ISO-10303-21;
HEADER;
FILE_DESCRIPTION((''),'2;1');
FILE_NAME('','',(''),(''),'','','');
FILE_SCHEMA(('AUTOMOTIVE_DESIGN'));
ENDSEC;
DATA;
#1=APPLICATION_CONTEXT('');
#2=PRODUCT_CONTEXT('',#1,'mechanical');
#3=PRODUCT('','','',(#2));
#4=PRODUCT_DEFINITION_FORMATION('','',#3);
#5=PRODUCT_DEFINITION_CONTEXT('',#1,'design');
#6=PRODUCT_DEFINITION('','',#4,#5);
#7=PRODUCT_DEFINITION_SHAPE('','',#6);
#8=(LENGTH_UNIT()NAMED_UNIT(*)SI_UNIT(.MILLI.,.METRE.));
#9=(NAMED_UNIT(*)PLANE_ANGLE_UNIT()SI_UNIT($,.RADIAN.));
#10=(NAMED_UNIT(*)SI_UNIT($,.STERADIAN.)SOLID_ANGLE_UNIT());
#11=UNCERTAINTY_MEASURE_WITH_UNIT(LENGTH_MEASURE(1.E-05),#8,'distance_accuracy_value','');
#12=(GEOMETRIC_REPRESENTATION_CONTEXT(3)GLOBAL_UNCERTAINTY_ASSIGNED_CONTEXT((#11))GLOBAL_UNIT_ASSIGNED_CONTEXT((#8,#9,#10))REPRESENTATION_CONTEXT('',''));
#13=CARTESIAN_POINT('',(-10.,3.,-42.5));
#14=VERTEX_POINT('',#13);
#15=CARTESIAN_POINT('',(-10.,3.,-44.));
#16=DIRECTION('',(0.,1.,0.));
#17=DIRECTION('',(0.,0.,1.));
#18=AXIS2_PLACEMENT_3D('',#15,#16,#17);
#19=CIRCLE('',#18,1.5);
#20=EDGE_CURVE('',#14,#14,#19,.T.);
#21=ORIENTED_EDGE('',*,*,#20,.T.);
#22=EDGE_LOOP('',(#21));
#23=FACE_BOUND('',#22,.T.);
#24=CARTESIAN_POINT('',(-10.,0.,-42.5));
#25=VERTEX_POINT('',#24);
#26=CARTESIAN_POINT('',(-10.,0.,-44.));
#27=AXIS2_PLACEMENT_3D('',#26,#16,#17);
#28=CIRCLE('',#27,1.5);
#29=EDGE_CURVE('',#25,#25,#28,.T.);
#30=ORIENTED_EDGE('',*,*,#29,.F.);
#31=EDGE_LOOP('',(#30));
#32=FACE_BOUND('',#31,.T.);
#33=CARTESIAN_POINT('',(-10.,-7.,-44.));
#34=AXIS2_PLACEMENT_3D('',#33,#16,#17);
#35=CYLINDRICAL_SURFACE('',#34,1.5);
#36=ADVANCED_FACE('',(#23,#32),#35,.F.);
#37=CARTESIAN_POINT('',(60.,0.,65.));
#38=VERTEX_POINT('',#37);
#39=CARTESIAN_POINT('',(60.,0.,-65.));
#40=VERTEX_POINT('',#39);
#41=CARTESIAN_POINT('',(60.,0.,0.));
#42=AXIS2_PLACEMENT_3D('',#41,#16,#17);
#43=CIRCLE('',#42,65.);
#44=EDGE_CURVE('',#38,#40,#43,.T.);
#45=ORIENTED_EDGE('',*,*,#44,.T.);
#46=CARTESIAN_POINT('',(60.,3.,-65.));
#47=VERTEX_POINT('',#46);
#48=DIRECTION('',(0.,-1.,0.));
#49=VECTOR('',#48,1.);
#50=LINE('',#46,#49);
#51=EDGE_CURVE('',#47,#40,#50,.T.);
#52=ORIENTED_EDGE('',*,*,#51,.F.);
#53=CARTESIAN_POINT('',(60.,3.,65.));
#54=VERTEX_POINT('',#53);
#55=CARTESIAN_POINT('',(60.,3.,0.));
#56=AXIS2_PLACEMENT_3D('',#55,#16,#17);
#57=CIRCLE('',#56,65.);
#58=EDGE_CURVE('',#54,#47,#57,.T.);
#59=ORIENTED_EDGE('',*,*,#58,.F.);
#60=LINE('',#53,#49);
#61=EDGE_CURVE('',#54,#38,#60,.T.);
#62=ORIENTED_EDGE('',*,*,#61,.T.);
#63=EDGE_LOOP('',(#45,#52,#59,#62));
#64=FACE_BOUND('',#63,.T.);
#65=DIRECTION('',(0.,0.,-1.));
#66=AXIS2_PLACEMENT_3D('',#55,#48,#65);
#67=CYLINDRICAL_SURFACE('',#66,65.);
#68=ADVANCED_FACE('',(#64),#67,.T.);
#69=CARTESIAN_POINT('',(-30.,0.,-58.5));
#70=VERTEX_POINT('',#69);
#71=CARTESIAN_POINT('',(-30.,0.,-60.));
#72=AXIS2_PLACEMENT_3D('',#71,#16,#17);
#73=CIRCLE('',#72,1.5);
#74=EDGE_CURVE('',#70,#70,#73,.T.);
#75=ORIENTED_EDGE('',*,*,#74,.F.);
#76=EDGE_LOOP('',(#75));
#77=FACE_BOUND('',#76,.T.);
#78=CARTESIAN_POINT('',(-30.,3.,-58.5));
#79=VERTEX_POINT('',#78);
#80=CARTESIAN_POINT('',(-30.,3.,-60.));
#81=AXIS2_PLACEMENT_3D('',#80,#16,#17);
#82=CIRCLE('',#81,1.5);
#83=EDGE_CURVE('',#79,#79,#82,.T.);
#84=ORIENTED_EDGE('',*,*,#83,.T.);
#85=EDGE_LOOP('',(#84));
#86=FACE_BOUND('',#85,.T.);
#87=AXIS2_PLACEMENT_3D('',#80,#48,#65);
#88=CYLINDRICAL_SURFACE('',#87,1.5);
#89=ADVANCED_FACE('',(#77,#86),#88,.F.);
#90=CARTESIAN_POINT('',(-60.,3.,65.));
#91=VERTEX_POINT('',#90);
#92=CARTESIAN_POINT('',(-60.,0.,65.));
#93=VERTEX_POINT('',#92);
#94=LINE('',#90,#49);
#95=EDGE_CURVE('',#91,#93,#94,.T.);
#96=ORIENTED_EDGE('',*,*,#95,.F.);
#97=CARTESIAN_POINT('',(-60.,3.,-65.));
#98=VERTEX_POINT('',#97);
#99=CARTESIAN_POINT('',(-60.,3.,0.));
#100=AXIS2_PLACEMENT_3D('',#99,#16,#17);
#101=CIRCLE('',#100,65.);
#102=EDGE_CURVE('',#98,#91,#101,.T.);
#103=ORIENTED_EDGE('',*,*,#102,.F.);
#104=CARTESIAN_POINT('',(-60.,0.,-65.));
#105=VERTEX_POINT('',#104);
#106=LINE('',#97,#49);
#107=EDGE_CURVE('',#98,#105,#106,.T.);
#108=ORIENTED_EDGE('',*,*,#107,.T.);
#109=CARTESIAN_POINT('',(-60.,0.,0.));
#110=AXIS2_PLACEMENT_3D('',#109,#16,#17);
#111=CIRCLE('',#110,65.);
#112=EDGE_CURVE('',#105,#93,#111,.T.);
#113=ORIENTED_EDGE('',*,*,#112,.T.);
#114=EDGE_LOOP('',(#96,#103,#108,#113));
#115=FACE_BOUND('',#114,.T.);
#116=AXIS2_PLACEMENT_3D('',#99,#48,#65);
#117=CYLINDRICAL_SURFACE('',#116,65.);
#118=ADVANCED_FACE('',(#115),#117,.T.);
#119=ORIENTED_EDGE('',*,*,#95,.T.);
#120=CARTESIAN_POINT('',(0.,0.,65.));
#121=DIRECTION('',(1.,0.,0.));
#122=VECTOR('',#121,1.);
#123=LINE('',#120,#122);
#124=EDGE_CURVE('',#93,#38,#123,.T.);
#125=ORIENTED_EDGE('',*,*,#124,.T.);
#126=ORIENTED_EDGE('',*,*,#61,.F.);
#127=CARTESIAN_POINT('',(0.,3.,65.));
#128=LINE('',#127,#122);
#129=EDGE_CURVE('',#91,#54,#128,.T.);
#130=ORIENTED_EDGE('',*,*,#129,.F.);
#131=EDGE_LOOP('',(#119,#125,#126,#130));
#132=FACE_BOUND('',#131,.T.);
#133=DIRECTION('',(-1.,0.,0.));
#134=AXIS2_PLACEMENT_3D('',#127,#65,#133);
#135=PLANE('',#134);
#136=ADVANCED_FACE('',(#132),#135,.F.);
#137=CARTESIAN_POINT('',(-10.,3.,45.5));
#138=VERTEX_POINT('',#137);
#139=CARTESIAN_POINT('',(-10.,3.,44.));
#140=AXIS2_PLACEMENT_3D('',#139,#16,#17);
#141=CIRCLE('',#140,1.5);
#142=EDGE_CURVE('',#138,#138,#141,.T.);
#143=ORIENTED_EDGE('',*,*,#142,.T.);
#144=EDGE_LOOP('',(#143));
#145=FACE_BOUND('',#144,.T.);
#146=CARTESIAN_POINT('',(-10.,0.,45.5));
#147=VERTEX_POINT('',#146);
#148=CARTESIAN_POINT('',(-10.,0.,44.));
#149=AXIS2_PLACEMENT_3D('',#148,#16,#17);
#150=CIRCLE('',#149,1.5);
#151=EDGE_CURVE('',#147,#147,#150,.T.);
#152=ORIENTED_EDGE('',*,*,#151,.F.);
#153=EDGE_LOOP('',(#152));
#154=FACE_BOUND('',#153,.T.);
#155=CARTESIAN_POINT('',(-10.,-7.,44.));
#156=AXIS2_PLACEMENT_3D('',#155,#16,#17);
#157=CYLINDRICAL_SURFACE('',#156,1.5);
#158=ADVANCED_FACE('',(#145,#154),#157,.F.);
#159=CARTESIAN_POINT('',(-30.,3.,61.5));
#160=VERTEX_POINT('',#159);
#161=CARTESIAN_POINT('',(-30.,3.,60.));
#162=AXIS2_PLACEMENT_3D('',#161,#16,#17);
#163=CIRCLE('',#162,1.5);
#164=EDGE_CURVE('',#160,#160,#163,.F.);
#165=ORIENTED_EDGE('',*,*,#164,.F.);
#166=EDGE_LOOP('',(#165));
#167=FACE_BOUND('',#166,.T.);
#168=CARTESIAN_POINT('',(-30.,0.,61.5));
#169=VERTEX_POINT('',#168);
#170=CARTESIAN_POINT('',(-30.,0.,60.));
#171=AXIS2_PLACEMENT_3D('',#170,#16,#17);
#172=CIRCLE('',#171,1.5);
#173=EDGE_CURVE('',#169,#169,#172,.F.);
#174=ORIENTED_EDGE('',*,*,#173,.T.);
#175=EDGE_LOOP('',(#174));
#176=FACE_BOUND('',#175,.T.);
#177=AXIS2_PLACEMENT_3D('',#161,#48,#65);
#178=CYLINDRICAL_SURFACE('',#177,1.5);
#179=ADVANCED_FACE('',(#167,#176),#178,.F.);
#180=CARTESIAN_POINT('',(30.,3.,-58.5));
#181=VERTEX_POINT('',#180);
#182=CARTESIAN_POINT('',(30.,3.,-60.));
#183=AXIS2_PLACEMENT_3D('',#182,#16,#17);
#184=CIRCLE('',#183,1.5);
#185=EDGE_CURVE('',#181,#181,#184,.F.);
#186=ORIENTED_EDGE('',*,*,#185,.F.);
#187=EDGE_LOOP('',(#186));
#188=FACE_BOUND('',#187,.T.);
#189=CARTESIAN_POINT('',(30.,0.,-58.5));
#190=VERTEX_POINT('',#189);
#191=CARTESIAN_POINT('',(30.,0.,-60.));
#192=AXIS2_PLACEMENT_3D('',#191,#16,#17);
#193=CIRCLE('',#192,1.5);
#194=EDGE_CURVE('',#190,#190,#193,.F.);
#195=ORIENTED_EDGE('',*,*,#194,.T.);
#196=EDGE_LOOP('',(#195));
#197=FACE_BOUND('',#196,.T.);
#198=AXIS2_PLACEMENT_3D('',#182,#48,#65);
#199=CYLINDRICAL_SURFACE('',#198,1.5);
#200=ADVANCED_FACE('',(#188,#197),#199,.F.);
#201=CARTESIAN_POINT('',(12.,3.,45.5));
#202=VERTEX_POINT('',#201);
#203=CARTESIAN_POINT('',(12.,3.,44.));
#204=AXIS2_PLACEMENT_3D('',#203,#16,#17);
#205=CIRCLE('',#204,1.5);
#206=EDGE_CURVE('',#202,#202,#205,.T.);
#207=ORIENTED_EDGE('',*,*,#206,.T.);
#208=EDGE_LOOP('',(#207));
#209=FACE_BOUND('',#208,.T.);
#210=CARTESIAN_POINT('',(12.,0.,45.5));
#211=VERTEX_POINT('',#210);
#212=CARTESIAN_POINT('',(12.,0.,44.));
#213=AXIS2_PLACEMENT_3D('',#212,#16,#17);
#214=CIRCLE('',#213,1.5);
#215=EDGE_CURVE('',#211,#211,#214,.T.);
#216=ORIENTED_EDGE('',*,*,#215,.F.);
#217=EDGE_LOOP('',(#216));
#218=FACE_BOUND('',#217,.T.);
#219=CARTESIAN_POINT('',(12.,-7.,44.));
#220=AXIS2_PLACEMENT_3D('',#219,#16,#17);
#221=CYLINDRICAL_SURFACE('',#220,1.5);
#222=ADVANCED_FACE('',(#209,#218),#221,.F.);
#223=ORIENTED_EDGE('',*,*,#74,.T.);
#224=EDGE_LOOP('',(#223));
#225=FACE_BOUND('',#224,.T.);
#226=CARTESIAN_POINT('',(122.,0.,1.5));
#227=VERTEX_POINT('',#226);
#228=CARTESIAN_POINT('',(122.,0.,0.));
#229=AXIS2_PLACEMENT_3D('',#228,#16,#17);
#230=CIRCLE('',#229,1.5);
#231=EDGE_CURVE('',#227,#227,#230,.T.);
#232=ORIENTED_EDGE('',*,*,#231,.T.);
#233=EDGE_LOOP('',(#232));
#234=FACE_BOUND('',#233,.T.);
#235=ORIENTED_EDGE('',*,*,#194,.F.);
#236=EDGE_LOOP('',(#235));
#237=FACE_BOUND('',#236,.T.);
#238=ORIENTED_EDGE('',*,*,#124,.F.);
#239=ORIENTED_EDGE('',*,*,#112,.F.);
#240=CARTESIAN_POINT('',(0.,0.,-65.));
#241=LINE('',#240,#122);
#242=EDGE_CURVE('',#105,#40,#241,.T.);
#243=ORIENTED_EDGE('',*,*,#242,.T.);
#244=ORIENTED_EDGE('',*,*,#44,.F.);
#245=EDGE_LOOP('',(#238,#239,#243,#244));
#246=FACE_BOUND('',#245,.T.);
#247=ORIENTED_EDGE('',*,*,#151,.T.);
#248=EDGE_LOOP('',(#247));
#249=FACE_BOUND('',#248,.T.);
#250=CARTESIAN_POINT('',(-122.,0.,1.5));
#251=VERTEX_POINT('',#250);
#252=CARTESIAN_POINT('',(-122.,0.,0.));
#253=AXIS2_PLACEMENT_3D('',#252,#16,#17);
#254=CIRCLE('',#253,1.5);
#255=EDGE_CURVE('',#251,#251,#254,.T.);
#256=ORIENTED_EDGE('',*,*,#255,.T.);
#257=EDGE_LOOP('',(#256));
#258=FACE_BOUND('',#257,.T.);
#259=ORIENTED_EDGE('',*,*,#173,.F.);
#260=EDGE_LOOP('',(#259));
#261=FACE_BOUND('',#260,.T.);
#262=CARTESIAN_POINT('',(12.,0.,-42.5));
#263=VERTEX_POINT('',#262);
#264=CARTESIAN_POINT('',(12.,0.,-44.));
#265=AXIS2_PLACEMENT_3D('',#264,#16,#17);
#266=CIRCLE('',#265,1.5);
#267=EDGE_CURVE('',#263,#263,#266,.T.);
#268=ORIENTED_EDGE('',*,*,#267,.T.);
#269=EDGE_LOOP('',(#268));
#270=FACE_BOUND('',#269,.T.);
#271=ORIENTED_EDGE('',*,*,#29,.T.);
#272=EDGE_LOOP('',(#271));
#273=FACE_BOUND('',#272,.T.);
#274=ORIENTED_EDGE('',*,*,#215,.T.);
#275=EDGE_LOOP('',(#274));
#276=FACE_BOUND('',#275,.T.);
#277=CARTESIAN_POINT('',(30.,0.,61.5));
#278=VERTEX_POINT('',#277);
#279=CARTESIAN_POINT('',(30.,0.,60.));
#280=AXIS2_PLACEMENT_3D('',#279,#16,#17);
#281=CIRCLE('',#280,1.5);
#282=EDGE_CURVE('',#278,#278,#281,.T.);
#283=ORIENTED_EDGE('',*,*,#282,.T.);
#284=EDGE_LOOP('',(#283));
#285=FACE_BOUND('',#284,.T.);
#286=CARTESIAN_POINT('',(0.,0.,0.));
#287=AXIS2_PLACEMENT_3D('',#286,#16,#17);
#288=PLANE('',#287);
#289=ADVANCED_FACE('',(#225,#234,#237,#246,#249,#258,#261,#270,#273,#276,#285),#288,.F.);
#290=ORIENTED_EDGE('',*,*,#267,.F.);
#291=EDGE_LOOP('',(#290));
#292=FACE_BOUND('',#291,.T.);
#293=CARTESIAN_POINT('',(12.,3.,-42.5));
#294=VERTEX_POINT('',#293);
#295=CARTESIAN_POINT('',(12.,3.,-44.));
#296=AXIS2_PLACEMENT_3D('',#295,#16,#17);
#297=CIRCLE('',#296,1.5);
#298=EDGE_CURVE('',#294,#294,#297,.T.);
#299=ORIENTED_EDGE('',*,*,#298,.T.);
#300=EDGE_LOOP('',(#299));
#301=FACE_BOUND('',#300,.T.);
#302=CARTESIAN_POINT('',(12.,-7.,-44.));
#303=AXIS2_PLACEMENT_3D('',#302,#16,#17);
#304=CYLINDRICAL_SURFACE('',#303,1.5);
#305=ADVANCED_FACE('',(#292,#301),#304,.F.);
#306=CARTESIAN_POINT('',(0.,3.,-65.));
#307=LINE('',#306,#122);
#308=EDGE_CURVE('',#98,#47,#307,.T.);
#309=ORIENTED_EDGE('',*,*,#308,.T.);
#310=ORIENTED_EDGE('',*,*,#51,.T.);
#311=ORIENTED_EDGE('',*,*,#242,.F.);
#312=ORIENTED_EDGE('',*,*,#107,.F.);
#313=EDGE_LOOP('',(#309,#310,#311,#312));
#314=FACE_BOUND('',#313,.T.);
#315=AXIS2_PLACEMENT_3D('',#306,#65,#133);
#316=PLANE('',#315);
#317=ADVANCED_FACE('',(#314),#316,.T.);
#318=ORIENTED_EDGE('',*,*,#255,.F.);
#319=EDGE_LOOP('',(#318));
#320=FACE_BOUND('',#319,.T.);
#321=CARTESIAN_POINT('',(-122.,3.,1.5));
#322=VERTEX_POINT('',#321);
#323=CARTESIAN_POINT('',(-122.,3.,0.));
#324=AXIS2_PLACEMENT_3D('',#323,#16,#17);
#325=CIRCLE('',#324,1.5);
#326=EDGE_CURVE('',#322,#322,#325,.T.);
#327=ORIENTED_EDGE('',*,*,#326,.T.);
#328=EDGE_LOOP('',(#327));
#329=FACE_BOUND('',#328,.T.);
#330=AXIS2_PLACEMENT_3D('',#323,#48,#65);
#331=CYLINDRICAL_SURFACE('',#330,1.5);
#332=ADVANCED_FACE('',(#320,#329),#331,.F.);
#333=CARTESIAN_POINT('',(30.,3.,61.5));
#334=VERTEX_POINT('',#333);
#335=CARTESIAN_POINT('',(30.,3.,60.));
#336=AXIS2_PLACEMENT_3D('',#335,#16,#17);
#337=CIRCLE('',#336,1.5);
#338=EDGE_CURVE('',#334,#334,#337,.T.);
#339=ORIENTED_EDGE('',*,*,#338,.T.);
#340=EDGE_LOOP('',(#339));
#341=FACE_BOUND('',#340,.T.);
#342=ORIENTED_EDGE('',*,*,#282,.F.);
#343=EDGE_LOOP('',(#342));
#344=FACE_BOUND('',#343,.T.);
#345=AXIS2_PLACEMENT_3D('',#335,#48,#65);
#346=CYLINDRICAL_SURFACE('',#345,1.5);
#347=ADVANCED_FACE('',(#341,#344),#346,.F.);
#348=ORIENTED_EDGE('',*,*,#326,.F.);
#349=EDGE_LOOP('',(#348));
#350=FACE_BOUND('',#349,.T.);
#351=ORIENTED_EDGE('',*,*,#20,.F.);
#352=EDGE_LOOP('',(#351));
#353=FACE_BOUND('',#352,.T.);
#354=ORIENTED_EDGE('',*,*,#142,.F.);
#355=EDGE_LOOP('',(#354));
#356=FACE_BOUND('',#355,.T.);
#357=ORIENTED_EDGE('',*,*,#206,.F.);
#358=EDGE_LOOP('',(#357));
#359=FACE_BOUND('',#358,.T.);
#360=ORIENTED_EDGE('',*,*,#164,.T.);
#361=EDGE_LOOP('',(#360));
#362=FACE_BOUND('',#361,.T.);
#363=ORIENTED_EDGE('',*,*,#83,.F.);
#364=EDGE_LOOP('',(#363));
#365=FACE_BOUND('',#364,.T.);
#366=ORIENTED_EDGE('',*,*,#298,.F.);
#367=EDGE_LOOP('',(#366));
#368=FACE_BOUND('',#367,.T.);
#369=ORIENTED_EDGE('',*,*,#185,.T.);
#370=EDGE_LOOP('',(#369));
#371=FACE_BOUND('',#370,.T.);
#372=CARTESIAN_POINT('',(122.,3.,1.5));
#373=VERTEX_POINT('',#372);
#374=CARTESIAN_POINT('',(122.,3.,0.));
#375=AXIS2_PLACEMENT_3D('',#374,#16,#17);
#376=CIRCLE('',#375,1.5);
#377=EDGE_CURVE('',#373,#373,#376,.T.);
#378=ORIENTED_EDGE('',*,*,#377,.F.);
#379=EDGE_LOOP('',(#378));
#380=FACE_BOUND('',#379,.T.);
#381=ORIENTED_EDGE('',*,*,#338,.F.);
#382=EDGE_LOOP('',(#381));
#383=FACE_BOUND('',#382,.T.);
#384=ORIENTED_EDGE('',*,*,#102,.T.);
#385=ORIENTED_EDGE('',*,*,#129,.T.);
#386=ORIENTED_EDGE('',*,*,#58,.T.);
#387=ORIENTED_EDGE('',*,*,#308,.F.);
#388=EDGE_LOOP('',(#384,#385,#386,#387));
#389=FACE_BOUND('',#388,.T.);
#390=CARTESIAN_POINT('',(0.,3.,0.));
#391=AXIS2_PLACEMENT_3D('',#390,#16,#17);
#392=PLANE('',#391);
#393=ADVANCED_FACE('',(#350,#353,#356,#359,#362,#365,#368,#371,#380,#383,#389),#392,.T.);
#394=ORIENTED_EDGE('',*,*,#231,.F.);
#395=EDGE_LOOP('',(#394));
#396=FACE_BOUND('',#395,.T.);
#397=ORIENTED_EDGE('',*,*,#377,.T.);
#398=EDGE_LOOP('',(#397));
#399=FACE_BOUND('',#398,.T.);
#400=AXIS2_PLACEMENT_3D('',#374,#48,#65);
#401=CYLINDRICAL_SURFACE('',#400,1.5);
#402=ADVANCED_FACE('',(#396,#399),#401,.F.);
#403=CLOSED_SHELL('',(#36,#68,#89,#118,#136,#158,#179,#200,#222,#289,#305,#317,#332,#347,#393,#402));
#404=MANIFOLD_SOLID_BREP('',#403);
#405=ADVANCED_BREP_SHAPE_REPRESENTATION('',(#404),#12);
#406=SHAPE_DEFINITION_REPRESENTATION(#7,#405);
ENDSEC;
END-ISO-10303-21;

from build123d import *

# Parameters (mm, degrees)
SKETCH_1_R          = 1.5
EXTRUDE_2_DEPTH     = 3
SKETCH_2_R          = 1.5
CUT_EXTRUDE_1_DEPTH = 10


with BuildPart() as part:
    # 草图1 → 凸台-拉伸2 (new body)
    with BuildSketch(Plane(origin=(0, 0, 0), x_dir=(1, 0, 0), z_dir=(0, 1, 0))):
        with BuildLine():
            Line((-60, 65), (60, 65))
            ThreePointArc((60, 65), (125, 0), (60, -65))
            Line((60, -65), (-60, -65))
            ThreePointArc((-60, -65), (-125, 0), (-60, 65))
        make_face()
        with Locations((-122, 0)):
            Circle(SKETCH_1_R, mode=Mode.SUBTRACT)
        with Locations((122, 0)):
            Circle(SKETCH_1_R, mode=Mode.SUBTRACT)
        with Locations((-30, 60)):
            Circle(SKETCH_1_R, mode=Mode.SUBTRACT)
        with Locations((30, 60)):
            Circle(SKETCH_1_R, mode=Mode.SUBTRACT)
        with Locations((30, -60)):
            Circle(SKETCH_1_R, mode=Mode.SUBTRACT)
        with Locations((-30, -60)):
            Circle(SKETCH_1_R, mode=Mode.SUBTRACT)
    extrude(amount=EXTRUDE_2_DEPTH)

    # 草图2 → 切除-拉伸1 (cut)
    with BuildSketch(Plane(origin=(0, 3, 0), x_dir=(1, 0, 0), z_dir=(0, 1, 0))):
        with Locations((-10, 44)):
            Circle(SKETCH_2_R)
        with Locations((12, 44)):
            Circle(SKETCH_2_R)
        with Locations((-10, -44)):
            Circle(SKETCH_2_R)
        with Locations((12, -44)):
            Circle(SKETCH_2_R)
    extrude(amount=-CUT_EXTRUDE_1_DEPTH, mode=Mode.SUBTRACT)


solid = part.part
